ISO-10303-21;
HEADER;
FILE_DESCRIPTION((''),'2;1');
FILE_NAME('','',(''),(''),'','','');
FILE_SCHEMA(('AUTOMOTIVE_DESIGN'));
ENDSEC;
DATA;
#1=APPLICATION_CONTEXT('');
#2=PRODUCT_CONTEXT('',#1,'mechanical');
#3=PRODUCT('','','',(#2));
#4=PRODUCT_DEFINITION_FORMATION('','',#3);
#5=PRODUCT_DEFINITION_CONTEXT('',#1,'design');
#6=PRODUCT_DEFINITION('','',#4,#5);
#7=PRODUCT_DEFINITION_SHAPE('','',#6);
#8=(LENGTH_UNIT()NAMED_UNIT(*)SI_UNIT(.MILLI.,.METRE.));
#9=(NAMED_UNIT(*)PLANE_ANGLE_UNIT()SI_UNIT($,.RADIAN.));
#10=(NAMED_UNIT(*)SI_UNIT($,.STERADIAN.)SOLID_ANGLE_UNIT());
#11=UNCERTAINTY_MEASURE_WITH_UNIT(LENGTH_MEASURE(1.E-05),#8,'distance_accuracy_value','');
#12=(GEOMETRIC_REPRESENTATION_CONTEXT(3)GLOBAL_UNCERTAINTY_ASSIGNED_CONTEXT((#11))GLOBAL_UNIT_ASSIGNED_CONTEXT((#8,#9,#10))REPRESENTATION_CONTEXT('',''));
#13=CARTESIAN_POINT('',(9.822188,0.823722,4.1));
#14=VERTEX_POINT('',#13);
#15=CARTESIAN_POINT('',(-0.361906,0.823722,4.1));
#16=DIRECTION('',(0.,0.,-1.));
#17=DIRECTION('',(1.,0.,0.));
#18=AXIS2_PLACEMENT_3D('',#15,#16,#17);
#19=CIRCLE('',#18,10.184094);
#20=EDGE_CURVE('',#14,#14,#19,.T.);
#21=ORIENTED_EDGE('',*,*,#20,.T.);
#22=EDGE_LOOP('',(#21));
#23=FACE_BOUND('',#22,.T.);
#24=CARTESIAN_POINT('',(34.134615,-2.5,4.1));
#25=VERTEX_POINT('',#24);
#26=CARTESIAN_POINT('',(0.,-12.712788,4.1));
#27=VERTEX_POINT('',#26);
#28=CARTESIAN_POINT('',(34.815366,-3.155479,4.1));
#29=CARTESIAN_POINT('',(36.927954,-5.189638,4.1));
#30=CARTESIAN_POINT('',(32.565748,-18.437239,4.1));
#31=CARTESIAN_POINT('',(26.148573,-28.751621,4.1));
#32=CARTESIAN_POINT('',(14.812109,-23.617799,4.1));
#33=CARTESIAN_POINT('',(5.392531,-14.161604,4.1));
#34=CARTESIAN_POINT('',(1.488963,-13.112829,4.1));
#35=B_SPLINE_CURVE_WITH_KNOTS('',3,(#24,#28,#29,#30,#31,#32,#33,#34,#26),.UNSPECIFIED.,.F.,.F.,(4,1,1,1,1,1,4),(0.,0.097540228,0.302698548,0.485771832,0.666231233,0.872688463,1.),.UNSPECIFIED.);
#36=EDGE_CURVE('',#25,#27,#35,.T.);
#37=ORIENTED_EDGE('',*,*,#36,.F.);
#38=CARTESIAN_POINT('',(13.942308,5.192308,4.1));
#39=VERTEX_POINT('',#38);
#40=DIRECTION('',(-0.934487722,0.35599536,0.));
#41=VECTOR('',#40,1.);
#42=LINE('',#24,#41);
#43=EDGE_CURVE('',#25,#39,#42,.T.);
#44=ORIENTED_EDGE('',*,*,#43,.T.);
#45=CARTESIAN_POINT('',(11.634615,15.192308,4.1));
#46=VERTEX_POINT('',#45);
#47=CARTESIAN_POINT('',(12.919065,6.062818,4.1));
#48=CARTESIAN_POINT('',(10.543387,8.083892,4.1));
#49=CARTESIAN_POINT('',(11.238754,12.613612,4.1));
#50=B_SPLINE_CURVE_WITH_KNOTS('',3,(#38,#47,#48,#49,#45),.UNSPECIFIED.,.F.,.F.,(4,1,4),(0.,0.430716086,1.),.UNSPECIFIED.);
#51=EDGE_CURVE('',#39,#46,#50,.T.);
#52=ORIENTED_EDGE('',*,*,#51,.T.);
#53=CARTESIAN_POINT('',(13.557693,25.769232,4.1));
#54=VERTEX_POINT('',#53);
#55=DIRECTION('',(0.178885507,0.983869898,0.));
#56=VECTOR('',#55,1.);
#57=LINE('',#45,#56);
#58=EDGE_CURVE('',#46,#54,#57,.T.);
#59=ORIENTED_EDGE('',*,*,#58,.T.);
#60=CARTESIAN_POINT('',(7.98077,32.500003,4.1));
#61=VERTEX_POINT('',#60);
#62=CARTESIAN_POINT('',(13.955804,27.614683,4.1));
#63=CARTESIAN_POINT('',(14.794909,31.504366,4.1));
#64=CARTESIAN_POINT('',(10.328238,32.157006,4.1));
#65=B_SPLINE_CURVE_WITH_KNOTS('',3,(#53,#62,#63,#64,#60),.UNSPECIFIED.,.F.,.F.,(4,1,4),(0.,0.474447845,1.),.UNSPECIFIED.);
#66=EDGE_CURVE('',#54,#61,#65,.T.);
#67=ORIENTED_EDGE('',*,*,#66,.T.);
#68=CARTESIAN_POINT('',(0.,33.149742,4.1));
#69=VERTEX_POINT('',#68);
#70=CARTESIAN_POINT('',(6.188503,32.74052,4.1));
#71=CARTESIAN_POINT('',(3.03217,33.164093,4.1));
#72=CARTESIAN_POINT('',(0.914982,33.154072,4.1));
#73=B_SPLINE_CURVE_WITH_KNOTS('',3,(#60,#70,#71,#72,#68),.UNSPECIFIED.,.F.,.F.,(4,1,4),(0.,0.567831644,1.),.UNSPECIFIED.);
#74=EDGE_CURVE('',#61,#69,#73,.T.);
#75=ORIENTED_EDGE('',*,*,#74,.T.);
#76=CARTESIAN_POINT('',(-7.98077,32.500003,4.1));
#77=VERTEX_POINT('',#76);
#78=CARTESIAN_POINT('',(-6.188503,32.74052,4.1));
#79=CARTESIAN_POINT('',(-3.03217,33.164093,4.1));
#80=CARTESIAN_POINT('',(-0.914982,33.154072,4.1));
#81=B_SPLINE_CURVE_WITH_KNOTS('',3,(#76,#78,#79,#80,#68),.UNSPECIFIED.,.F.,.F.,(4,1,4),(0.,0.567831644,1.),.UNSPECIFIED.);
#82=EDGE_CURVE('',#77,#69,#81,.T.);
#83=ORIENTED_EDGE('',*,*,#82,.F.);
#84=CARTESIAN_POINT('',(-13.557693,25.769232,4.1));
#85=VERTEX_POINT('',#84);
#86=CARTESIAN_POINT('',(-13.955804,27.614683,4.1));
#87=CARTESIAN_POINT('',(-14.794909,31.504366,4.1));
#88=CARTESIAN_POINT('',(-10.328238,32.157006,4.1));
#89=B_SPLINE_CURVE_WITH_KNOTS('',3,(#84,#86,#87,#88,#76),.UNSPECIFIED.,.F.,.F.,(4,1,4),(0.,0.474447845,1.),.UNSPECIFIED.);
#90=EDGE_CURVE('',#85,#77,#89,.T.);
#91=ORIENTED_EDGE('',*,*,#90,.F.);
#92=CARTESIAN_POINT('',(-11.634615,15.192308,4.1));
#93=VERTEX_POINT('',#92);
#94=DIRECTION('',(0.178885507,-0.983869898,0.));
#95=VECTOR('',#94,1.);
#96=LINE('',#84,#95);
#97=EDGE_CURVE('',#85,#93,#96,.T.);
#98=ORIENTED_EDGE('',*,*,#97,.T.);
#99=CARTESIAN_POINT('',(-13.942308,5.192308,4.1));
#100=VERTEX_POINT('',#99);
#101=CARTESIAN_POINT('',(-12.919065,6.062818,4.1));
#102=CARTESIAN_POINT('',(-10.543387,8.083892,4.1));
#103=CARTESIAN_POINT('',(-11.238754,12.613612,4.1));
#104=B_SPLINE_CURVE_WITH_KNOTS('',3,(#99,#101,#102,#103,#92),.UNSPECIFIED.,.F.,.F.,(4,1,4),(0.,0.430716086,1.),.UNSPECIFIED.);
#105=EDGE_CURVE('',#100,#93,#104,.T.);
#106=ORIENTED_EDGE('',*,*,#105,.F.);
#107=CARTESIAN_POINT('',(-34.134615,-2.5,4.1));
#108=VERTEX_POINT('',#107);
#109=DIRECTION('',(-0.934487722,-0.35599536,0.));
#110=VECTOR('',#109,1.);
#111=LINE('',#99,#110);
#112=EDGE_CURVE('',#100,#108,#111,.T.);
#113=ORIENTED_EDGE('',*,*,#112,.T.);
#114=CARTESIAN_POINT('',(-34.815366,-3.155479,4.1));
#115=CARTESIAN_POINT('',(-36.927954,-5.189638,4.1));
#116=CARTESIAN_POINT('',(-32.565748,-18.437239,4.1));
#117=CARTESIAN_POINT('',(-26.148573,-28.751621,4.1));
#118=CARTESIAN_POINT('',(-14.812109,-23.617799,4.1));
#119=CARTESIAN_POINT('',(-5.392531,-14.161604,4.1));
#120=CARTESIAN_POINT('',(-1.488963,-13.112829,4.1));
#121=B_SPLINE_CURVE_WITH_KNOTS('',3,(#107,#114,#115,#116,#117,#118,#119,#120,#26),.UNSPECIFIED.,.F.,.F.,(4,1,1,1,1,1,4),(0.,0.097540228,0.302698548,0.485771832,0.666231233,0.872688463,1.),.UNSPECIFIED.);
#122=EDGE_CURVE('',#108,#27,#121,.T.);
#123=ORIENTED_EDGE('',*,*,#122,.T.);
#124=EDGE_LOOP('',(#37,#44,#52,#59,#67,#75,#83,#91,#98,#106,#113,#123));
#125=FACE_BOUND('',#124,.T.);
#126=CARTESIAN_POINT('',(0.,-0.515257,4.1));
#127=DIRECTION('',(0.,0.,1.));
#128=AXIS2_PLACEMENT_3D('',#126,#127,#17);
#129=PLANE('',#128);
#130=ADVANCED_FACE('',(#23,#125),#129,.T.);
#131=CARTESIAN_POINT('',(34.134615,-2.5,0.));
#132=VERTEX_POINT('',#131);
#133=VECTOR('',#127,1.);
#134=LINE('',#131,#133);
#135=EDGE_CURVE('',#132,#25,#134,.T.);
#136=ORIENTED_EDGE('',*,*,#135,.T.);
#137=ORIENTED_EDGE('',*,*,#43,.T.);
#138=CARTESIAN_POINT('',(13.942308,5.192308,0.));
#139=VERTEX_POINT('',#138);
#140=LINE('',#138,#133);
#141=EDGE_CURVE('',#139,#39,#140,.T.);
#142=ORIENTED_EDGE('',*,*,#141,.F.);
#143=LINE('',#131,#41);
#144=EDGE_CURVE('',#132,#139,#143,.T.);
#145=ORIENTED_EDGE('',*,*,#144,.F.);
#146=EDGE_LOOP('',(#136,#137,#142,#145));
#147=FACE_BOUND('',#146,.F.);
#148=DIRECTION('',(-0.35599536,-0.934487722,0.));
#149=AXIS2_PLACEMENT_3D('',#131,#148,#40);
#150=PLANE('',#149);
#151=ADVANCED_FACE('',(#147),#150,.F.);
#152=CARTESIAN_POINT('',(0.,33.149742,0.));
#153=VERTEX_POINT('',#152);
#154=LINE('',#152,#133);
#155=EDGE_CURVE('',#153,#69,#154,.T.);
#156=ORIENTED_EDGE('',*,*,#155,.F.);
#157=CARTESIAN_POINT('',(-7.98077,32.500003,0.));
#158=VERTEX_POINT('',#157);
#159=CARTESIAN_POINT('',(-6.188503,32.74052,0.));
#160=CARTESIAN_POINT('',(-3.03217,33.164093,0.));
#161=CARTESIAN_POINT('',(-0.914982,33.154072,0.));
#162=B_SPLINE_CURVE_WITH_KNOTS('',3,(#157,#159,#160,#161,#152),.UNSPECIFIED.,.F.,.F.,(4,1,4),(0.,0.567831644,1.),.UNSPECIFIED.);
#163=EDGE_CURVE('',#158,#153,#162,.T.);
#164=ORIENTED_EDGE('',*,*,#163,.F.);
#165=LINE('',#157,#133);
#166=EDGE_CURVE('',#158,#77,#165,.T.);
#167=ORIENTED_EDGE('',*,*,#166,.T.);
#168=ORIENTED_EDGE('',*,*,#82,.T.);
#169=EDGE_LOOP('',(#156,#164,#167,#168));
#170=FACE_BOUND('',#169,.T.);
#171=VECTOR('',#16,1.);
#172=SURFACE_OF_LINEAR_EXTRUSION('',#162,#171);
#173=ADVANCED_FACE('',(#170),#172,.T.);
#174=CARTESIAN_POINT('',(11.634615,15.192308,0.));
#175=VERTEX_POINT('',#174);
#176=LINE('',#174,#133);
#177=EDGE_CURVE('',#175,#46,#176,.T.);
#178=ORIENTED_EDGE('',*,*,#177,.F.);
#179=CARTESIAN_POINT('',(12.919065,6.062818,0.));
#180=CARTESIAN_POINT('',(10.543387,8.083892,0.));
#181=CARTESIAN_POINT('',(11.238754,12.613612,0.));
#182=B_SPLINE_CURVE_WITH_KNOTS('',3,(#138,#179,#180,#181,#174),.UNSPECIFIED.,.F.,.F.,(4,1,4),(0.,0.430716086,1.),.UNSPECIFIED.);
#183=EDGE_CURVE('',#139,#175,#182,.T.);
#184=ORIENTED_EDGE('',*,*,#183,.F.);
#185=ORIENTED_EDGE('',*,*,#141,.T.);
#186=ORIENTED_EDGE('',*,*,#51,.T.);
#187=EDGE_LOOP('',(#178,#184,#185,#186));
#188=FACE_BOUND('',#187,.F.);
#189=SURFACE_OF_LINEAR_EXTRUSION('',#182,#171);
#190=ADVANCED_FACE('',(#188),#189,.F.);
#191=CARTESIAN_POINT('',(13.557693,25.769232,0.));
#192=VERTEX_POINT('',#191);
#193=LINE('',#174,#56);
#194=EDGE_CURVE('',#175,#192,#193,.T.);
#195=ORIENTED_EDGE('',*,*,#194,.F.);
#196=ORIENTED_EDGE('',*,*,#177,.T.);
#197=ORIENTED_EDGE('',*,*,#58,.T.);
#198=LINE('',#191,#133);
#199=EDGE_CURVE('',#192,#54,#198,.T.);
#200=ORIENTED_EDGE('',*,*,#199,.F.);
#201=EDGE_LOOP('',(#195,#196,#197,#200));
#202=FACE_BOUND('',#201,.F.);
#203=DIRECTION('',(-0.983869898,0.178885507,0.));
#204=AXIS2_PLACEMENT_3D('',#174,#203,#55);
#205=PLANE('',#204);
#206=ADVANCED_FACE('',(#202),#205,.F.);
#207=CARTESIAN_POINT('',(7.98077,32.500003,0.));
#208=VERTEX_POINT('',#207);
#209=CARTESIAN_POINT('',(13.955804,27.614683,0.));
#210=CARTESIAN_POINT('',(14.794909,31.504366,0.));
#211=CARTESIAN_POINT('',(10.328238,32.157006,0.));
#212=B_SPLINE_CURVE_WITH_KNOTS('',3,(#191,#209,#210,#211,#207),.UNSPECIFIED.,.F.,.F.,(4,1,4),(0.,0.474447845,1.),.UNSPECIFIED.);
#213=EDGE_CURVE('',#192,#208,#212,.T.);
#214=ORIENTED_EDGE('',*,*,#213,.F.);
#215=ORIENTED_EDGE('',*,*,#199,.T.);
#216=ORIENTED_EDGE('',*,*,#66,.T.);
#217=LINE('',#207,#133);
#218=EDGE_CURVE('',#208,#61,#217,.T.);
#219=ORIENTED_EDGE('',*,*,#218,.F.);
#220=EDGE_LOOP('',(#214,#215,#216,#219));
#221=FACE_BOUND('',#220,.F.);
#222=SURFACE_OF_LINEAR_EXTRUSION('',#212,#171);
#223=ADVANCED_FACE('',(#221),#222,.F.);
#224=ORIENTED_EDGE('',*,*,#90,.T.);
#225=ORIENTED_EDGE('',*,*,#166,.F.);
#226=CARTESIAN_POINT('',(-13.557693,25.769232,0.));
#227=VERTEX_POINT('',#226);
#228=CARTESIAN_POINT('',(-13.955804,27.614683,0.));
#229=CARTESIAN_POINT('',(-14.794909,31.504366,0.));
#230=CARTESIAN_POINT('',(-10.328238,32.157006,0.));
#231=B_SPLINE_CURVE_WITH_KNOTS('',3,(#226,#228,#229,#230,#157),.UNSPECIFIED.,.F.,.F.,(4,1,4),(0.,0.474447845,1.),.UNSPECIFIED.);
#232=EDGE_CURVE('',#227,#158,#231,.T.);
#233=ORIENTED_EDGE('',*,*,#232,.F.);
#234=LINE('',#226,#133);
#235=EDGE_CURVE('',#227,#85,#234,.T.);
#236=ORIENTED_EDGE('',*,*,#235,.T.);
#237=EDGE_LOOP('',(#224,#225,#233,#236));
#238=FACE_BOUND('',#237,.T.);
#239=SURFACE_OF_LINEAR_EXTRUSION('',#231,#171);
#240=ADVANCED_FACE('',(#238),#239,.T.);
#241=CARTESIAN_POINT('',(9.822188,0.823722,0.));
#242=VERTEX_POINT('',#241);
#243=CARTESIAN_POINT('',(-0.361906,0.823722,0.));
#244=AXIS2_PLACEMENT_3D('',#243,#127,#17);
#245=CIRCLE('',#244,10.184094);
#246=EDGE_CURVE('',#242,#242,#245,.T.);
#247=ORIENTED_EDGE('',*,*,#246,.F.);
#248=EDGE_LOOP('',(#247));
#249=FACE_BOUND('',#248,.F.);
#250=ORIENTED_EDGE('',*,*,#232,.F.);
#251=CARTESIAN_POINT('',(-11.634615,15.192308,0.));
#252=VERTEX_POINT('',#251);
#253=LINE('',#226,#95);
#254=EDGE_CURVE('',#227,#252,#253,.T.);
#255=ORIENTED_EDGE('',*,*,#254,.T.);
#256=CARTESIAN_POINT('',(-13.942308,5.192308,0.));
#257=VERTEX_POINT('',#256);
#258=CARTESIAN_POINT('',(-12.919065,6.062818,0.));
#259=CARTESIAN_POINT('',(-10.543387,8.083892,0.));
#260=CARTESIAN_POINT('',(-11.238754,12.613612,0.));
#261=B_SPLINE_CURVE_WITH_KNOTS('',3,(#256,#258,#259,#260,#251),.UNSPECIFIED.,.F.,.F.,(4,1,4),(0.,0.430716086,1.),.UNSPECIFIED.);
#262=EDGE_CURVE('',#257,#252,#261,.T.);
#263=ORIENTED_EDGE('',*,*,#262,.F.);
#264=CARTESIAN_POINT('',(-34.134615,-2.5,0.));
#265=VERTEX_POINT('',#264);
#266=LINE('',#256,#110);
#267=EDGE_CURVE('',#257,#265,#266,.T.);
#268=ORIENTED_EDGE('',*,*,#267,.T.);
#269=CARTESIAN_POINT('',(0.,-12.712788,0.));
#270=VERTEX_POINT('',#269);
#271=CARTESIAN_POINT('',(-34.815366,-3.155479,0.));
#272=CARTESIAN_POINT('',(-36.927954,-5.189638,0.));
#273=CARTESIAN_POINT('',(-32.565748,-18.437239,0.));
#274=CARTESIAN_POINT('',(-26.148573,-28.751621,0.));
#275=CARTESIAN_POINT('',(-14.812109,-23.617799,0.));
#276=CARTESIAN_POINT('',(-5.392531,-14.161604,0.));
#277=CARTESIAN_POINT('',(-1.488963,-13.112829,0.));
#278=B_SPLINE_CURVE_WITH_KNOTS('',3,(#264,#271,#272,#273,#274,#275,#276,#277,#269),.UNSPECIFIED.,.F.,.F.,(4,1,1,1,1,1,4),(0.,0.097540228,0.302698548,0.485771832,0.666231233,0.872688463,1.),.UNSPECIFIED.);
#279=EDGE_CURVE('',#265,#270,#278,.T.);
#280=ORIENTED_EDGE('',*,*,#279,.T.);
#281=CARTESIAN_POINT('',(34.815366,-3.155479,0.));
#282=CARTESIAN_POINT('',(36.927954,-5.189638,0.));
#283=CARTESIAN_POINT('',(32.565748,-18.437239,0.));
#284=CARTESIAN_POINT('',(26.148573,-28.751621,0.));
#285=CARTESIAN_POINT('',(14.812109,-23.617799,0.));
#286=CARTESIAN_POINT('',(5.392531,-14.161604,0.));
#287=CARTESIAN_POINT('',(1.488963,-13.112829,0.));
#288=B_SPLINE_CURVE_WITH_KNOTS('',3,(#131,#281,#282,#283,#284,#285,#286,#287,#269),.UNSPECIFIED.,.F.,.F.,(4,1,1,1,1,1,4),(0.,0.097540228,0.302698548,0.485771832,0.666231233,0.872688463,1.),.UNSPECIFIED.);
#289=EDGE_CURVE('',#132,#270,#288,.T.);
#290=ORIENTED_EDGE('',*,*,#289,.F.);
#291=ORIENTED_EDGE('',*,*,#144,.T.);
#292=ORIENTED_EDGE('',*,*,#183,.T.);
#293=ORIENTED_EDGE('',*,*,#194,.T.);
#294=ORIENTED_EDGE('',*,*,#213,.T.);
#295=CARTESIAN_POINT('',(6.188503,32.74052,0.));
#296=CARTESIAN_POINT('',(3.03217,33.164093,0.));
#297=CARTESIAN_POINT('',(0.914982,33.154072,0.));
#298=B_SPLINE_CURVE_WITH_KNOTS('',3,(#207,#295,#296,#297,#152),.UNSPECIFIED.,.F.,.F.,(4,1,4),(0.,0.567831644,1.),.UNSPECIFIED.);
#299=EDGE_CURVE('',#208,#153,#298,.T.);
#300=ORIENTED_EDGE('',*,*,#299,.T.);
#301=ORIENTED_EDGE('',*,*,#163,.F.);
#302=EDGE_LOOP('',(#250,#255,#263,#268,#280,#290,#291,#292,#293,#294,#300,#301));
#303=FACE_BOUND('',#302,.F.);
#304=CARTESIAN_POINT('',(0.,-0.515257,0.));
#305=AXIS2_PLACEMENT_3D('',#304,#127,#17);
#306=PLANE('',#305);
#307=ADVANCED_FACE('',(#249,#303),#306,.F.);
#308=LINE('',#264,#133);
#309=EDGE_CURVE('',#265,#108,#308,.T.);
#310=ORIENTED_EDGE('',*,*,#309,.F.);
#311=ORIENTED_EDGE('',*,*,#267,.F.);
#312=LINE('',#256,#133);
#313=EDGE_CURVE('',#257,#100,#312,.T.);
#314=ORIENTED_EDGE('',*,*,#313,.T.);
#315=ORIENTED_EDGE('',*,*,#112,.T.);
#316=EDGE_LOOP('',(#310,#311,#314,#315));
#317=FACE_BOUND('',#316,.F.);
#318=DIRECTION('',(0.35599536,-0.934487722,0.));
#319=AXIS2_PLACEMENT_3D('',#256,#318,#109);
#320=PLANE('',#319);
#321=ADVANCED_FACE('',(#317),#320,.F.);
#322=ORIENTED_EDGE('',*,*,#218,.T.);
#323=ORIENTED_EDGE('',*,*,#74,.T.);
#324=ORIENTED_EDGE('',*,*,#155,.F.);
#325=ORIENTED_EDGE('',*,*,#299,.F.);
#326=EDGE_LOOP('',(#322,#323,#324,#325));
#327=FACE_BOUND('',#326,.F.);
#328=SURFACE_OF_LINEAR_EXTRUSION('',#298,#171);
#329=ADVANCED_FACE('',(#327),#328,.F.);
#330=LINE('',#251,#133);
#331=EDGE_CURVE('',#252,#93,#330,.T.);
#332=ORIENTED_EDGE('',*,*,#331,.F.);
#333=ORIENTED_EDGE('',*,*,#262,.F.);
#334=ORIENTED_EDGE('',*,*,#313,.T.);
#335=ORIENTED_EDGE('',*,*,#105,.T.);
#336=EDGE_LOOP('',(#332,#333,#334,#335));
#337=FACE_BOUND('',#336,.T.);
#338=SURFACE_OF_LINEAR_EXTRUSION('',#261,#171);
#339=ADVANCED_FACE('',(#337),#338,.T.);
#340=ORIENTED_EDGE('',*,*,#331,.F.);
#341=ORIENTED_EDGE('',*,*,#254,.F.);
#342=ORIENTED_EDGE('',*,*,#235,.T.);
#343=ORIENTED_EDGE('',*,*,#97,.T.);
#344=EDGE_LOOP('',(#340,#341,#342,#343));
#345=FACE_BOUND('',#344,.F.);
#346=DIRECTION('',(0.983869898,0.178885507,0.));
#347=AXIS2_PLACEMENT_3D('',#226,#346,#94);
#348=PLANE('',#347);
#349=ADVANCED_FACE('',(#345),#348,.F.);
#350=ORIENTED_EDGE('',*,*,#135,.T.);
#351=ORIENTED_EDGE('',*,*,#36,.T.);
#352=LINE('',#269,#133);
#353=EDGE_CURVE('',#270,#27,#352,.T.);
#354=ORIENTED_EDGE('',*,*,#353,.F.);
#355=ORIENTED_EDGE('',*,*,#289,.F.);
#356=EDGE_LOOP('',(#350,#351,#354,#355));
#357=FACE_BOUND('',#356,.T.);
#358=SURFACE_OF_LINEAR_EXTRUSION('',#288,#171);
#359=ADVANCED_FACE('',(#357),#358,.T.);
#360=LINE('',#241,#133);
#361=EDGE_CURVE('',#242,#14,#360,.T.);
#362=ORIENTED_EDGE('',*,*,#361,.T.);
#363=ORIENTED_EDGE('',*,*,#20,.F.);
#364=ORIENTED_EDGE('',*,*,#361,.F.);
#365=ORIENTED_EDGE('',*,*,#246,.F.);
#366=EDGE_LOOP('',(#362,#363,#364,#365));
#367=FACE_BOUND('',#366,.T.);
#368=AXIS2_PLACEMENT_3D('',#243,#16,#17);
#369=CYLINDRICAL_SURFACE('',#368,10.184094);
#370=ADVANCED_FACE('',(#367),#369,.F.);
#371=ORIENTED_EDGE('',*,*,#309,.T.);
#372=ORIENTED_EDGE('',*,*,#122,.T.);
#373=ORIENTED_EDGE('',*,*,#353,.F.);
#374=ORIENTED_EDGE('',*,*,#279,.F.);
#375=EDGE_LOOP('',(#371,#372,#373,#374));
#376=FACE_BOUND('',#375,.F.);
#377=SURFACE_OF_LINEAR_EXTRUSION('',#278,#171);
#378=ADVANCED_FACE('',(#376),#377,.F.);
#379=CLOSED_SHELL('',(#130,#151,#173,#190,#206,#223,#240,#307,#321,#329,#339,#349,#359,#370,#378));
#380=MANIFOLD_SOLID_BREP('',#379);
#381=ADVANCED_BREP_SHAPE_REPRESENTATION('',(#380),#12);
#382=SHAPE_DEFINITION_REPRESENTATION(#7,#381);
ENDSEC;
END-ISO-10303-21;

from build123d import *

# Parameters (mm, degrees)
F2_DEPTH = 4.1
F1_R     = 10.1840940051
F3_DEPTH = 4.6


with BuildPart() as f2:
    # F0 (on Top) → F2 (new body)
    with BuildSketch(Plane.XY):
        with BuildLine():
            Line((-13.9423077926, 5.192308221), (-34.1346152127, -2.500000177))
            add(Edge.make_bspline(
                [(-34.1346152127, -2.500000177), (-34.8153660234, -3.1554786066), (-36.9279536793, -5.1896379749), (-32.5657478101, -18.4372392592), (-26.1485725178, -28.7516207984), (-14.8121086617, -23.6177985602), (-5.3925314903, -14.1616043518), (-1.4889629138, -13.1128289054), (0, -12.7127878368)],
                knots=[0, 0, 0, 0, 0.0975402283, 0.3026985485, 0.4857718323, 0.6662312329, 0.8726884628, 1, 1, 1, 1], degree=3))
            add(Edge.make_bspline(
                [(34.1346152127, -2.500000177), (34.8153660234, -3.1554786066), (36.9279536793, -5.1896379749), (32.5657478101, -18.4372392592), (26.1485725178, -28.7516207984), (14.8121086617, -23.6177985602), (5.3925314903, -14.1616043518), (1.4889629138, -13.1128289054), (0, -12.7127878368)],
                knots=[0, 0, 0, 0, 0.0975402283, 0.3026985485, 0.4857718323, 0.6662312329, 0.8726884628, 1, 1, 1, 1], degree=3))
            Line((34.1346152127, -2.500000177), (13.9423077926, 5.192308221))
            add(Edge.make_bspline(
                [(13.9423077926, 5.192308221), (12.9190649107, 6.0628175216), (10.5433865575, 8.0838920272), (11.2387538411, 12.6136118392), (11.6346152499, 15.1923084632)],
                knots=[0, 0, 0, 0, 0.430716086, 1, 1, 1, 1], degree=3))
            Line((11.6346152499, 15.1923084632), (13.5576929897, 25.769231841))
            add(Edge.make_bspline(
                [(13.5576929897, 25.769231841), (13.9558043502, 27.6146833746), (14.7949089324, 31.5043659901), (10.3282380233, 32.157006111), (7.9807695001, 32.5000025332)],
                knots=[0, 0, 0, 0, 0.4744478447, 1, 1, 1, 1], degree=3))
            add(Edge.make_bspline(
                [(7.9807695001, 32.5000025332), (6.1885033263, 32.7405203093), (3.0321695881, 33.1640926459), (0.9149816372, 33.1540721369), (0, 33.14974159)],
                knots=[0, 0, 0, 0, 0.5678316435, 1, 1, 1, 1], degree=3))
            add(Edge.make_bspline(
                [(-7.9807695001, 32.5000025332), (-6.1885033263, 32.7405203093), (-3.0321695881, 33.1640926459), (-0.9149816372, 33.1540721369), (0, 33.14974159)],
                knots=[0, 0, 0, 0, 0.5678316435, 1, 1, 1, 1], degree=3))
            add(Edge.make_bspline(
                [(-13.5576929897, 25.769231841), (-13.9558043502, 27.6146833746), (-14.7949089324, 31.5043659901), (-10.3282380233, 32.157006111), (-7.9807695001, 32.5000025332)],
                knots=[0, 0, 0, 0, 0.4744478447, 1, 1, 1, 1], degree=3))
            Line((-13.5576929897, 25.769231841), (-11.6346152499, 15.1923084632))
            add(Edge.make_bspline(
                [(-13.9423077926, 5.192308221), (-12.9190649107, 6.0628175216), (-10.5433865575, 8.0838920272), (-11.2387538411, 12.6136118392), (-11.6346152499, 15.1923084632)],
                knots=[0, 0, 0, 0, 0.430716086, 1, 1, 1, 1], degree=3))
        make_face()
    extrude(amount=F2_DEPTH)

    # F1 (on face) → F3 (cut)
    with BuildSketch(Plane.XY):
        with Locations((-0.3619063937, 0.8237220463)):
            Circle(F1_R)
    extrude(amount=F3_DEPTH, mode=Mode.SUBTRACT)


solid = f2.part
